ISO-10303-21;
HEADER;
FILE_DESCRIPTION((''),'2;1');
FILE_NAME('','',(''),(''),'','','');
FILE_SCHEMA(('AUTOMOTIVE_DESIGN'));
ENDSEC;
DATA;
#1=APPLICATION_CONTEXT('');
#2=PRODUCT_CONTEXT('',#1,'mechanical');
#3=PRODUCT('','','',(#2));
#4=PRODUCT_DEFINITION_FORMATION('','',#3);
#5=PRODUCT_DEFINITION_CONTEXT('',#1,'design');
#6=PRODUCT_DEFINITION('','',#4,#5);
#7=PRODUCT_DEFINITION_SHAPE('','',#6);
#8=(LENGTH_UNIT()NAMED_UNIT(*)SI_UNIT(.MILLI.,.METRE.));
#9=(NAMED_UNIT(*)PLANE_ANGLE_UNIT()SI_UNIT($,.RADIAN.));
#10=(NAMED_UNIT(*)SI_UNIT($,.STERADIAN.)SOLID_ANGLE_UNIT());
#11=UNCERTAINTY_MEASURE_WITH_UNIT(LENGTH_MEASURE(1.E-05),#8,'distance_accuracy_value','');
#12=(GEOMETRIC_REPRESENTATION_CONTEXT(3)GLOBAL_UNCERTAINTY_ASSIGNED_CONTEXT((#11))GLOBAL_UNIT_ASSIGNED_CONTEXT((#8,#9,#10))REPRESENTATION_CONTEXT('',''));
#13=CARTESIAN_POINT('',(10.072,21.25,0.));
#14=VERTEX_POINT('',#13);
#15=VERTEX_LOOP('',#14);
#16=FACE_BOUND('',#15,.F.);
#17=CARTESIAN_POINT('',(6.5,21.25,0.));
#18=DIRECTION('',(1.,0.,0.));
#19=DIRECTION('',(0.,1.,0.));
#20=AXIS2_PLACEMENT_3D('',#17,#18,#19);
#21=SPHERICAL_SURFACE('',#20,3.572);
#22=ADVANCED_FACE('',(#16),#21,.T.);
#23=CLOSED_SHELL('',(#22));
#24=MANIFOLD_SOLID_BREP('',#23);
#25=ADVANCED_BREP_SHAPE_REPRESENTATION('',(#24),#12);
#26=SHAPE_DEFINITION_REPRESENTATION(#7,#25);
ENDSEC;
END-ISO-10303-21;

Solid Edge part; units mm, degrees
sketch "Sketch1" plane through (0, 0, 0) normal (0, 0, 1) x (1, 0, 0)
  arc A0 (2.928, 21.25) -> (10.072, 21.25) centre (6.5, 21.25) cw
  line L0 (10.072, 21.25) -> (2.928, 21.25)
revolve "RevolvedProtrusion1" add sketch "Sketch1" angle 360 about axis through (10.072, 21.25, 0) along (-1, 0, 0)
properties material "Steel"
